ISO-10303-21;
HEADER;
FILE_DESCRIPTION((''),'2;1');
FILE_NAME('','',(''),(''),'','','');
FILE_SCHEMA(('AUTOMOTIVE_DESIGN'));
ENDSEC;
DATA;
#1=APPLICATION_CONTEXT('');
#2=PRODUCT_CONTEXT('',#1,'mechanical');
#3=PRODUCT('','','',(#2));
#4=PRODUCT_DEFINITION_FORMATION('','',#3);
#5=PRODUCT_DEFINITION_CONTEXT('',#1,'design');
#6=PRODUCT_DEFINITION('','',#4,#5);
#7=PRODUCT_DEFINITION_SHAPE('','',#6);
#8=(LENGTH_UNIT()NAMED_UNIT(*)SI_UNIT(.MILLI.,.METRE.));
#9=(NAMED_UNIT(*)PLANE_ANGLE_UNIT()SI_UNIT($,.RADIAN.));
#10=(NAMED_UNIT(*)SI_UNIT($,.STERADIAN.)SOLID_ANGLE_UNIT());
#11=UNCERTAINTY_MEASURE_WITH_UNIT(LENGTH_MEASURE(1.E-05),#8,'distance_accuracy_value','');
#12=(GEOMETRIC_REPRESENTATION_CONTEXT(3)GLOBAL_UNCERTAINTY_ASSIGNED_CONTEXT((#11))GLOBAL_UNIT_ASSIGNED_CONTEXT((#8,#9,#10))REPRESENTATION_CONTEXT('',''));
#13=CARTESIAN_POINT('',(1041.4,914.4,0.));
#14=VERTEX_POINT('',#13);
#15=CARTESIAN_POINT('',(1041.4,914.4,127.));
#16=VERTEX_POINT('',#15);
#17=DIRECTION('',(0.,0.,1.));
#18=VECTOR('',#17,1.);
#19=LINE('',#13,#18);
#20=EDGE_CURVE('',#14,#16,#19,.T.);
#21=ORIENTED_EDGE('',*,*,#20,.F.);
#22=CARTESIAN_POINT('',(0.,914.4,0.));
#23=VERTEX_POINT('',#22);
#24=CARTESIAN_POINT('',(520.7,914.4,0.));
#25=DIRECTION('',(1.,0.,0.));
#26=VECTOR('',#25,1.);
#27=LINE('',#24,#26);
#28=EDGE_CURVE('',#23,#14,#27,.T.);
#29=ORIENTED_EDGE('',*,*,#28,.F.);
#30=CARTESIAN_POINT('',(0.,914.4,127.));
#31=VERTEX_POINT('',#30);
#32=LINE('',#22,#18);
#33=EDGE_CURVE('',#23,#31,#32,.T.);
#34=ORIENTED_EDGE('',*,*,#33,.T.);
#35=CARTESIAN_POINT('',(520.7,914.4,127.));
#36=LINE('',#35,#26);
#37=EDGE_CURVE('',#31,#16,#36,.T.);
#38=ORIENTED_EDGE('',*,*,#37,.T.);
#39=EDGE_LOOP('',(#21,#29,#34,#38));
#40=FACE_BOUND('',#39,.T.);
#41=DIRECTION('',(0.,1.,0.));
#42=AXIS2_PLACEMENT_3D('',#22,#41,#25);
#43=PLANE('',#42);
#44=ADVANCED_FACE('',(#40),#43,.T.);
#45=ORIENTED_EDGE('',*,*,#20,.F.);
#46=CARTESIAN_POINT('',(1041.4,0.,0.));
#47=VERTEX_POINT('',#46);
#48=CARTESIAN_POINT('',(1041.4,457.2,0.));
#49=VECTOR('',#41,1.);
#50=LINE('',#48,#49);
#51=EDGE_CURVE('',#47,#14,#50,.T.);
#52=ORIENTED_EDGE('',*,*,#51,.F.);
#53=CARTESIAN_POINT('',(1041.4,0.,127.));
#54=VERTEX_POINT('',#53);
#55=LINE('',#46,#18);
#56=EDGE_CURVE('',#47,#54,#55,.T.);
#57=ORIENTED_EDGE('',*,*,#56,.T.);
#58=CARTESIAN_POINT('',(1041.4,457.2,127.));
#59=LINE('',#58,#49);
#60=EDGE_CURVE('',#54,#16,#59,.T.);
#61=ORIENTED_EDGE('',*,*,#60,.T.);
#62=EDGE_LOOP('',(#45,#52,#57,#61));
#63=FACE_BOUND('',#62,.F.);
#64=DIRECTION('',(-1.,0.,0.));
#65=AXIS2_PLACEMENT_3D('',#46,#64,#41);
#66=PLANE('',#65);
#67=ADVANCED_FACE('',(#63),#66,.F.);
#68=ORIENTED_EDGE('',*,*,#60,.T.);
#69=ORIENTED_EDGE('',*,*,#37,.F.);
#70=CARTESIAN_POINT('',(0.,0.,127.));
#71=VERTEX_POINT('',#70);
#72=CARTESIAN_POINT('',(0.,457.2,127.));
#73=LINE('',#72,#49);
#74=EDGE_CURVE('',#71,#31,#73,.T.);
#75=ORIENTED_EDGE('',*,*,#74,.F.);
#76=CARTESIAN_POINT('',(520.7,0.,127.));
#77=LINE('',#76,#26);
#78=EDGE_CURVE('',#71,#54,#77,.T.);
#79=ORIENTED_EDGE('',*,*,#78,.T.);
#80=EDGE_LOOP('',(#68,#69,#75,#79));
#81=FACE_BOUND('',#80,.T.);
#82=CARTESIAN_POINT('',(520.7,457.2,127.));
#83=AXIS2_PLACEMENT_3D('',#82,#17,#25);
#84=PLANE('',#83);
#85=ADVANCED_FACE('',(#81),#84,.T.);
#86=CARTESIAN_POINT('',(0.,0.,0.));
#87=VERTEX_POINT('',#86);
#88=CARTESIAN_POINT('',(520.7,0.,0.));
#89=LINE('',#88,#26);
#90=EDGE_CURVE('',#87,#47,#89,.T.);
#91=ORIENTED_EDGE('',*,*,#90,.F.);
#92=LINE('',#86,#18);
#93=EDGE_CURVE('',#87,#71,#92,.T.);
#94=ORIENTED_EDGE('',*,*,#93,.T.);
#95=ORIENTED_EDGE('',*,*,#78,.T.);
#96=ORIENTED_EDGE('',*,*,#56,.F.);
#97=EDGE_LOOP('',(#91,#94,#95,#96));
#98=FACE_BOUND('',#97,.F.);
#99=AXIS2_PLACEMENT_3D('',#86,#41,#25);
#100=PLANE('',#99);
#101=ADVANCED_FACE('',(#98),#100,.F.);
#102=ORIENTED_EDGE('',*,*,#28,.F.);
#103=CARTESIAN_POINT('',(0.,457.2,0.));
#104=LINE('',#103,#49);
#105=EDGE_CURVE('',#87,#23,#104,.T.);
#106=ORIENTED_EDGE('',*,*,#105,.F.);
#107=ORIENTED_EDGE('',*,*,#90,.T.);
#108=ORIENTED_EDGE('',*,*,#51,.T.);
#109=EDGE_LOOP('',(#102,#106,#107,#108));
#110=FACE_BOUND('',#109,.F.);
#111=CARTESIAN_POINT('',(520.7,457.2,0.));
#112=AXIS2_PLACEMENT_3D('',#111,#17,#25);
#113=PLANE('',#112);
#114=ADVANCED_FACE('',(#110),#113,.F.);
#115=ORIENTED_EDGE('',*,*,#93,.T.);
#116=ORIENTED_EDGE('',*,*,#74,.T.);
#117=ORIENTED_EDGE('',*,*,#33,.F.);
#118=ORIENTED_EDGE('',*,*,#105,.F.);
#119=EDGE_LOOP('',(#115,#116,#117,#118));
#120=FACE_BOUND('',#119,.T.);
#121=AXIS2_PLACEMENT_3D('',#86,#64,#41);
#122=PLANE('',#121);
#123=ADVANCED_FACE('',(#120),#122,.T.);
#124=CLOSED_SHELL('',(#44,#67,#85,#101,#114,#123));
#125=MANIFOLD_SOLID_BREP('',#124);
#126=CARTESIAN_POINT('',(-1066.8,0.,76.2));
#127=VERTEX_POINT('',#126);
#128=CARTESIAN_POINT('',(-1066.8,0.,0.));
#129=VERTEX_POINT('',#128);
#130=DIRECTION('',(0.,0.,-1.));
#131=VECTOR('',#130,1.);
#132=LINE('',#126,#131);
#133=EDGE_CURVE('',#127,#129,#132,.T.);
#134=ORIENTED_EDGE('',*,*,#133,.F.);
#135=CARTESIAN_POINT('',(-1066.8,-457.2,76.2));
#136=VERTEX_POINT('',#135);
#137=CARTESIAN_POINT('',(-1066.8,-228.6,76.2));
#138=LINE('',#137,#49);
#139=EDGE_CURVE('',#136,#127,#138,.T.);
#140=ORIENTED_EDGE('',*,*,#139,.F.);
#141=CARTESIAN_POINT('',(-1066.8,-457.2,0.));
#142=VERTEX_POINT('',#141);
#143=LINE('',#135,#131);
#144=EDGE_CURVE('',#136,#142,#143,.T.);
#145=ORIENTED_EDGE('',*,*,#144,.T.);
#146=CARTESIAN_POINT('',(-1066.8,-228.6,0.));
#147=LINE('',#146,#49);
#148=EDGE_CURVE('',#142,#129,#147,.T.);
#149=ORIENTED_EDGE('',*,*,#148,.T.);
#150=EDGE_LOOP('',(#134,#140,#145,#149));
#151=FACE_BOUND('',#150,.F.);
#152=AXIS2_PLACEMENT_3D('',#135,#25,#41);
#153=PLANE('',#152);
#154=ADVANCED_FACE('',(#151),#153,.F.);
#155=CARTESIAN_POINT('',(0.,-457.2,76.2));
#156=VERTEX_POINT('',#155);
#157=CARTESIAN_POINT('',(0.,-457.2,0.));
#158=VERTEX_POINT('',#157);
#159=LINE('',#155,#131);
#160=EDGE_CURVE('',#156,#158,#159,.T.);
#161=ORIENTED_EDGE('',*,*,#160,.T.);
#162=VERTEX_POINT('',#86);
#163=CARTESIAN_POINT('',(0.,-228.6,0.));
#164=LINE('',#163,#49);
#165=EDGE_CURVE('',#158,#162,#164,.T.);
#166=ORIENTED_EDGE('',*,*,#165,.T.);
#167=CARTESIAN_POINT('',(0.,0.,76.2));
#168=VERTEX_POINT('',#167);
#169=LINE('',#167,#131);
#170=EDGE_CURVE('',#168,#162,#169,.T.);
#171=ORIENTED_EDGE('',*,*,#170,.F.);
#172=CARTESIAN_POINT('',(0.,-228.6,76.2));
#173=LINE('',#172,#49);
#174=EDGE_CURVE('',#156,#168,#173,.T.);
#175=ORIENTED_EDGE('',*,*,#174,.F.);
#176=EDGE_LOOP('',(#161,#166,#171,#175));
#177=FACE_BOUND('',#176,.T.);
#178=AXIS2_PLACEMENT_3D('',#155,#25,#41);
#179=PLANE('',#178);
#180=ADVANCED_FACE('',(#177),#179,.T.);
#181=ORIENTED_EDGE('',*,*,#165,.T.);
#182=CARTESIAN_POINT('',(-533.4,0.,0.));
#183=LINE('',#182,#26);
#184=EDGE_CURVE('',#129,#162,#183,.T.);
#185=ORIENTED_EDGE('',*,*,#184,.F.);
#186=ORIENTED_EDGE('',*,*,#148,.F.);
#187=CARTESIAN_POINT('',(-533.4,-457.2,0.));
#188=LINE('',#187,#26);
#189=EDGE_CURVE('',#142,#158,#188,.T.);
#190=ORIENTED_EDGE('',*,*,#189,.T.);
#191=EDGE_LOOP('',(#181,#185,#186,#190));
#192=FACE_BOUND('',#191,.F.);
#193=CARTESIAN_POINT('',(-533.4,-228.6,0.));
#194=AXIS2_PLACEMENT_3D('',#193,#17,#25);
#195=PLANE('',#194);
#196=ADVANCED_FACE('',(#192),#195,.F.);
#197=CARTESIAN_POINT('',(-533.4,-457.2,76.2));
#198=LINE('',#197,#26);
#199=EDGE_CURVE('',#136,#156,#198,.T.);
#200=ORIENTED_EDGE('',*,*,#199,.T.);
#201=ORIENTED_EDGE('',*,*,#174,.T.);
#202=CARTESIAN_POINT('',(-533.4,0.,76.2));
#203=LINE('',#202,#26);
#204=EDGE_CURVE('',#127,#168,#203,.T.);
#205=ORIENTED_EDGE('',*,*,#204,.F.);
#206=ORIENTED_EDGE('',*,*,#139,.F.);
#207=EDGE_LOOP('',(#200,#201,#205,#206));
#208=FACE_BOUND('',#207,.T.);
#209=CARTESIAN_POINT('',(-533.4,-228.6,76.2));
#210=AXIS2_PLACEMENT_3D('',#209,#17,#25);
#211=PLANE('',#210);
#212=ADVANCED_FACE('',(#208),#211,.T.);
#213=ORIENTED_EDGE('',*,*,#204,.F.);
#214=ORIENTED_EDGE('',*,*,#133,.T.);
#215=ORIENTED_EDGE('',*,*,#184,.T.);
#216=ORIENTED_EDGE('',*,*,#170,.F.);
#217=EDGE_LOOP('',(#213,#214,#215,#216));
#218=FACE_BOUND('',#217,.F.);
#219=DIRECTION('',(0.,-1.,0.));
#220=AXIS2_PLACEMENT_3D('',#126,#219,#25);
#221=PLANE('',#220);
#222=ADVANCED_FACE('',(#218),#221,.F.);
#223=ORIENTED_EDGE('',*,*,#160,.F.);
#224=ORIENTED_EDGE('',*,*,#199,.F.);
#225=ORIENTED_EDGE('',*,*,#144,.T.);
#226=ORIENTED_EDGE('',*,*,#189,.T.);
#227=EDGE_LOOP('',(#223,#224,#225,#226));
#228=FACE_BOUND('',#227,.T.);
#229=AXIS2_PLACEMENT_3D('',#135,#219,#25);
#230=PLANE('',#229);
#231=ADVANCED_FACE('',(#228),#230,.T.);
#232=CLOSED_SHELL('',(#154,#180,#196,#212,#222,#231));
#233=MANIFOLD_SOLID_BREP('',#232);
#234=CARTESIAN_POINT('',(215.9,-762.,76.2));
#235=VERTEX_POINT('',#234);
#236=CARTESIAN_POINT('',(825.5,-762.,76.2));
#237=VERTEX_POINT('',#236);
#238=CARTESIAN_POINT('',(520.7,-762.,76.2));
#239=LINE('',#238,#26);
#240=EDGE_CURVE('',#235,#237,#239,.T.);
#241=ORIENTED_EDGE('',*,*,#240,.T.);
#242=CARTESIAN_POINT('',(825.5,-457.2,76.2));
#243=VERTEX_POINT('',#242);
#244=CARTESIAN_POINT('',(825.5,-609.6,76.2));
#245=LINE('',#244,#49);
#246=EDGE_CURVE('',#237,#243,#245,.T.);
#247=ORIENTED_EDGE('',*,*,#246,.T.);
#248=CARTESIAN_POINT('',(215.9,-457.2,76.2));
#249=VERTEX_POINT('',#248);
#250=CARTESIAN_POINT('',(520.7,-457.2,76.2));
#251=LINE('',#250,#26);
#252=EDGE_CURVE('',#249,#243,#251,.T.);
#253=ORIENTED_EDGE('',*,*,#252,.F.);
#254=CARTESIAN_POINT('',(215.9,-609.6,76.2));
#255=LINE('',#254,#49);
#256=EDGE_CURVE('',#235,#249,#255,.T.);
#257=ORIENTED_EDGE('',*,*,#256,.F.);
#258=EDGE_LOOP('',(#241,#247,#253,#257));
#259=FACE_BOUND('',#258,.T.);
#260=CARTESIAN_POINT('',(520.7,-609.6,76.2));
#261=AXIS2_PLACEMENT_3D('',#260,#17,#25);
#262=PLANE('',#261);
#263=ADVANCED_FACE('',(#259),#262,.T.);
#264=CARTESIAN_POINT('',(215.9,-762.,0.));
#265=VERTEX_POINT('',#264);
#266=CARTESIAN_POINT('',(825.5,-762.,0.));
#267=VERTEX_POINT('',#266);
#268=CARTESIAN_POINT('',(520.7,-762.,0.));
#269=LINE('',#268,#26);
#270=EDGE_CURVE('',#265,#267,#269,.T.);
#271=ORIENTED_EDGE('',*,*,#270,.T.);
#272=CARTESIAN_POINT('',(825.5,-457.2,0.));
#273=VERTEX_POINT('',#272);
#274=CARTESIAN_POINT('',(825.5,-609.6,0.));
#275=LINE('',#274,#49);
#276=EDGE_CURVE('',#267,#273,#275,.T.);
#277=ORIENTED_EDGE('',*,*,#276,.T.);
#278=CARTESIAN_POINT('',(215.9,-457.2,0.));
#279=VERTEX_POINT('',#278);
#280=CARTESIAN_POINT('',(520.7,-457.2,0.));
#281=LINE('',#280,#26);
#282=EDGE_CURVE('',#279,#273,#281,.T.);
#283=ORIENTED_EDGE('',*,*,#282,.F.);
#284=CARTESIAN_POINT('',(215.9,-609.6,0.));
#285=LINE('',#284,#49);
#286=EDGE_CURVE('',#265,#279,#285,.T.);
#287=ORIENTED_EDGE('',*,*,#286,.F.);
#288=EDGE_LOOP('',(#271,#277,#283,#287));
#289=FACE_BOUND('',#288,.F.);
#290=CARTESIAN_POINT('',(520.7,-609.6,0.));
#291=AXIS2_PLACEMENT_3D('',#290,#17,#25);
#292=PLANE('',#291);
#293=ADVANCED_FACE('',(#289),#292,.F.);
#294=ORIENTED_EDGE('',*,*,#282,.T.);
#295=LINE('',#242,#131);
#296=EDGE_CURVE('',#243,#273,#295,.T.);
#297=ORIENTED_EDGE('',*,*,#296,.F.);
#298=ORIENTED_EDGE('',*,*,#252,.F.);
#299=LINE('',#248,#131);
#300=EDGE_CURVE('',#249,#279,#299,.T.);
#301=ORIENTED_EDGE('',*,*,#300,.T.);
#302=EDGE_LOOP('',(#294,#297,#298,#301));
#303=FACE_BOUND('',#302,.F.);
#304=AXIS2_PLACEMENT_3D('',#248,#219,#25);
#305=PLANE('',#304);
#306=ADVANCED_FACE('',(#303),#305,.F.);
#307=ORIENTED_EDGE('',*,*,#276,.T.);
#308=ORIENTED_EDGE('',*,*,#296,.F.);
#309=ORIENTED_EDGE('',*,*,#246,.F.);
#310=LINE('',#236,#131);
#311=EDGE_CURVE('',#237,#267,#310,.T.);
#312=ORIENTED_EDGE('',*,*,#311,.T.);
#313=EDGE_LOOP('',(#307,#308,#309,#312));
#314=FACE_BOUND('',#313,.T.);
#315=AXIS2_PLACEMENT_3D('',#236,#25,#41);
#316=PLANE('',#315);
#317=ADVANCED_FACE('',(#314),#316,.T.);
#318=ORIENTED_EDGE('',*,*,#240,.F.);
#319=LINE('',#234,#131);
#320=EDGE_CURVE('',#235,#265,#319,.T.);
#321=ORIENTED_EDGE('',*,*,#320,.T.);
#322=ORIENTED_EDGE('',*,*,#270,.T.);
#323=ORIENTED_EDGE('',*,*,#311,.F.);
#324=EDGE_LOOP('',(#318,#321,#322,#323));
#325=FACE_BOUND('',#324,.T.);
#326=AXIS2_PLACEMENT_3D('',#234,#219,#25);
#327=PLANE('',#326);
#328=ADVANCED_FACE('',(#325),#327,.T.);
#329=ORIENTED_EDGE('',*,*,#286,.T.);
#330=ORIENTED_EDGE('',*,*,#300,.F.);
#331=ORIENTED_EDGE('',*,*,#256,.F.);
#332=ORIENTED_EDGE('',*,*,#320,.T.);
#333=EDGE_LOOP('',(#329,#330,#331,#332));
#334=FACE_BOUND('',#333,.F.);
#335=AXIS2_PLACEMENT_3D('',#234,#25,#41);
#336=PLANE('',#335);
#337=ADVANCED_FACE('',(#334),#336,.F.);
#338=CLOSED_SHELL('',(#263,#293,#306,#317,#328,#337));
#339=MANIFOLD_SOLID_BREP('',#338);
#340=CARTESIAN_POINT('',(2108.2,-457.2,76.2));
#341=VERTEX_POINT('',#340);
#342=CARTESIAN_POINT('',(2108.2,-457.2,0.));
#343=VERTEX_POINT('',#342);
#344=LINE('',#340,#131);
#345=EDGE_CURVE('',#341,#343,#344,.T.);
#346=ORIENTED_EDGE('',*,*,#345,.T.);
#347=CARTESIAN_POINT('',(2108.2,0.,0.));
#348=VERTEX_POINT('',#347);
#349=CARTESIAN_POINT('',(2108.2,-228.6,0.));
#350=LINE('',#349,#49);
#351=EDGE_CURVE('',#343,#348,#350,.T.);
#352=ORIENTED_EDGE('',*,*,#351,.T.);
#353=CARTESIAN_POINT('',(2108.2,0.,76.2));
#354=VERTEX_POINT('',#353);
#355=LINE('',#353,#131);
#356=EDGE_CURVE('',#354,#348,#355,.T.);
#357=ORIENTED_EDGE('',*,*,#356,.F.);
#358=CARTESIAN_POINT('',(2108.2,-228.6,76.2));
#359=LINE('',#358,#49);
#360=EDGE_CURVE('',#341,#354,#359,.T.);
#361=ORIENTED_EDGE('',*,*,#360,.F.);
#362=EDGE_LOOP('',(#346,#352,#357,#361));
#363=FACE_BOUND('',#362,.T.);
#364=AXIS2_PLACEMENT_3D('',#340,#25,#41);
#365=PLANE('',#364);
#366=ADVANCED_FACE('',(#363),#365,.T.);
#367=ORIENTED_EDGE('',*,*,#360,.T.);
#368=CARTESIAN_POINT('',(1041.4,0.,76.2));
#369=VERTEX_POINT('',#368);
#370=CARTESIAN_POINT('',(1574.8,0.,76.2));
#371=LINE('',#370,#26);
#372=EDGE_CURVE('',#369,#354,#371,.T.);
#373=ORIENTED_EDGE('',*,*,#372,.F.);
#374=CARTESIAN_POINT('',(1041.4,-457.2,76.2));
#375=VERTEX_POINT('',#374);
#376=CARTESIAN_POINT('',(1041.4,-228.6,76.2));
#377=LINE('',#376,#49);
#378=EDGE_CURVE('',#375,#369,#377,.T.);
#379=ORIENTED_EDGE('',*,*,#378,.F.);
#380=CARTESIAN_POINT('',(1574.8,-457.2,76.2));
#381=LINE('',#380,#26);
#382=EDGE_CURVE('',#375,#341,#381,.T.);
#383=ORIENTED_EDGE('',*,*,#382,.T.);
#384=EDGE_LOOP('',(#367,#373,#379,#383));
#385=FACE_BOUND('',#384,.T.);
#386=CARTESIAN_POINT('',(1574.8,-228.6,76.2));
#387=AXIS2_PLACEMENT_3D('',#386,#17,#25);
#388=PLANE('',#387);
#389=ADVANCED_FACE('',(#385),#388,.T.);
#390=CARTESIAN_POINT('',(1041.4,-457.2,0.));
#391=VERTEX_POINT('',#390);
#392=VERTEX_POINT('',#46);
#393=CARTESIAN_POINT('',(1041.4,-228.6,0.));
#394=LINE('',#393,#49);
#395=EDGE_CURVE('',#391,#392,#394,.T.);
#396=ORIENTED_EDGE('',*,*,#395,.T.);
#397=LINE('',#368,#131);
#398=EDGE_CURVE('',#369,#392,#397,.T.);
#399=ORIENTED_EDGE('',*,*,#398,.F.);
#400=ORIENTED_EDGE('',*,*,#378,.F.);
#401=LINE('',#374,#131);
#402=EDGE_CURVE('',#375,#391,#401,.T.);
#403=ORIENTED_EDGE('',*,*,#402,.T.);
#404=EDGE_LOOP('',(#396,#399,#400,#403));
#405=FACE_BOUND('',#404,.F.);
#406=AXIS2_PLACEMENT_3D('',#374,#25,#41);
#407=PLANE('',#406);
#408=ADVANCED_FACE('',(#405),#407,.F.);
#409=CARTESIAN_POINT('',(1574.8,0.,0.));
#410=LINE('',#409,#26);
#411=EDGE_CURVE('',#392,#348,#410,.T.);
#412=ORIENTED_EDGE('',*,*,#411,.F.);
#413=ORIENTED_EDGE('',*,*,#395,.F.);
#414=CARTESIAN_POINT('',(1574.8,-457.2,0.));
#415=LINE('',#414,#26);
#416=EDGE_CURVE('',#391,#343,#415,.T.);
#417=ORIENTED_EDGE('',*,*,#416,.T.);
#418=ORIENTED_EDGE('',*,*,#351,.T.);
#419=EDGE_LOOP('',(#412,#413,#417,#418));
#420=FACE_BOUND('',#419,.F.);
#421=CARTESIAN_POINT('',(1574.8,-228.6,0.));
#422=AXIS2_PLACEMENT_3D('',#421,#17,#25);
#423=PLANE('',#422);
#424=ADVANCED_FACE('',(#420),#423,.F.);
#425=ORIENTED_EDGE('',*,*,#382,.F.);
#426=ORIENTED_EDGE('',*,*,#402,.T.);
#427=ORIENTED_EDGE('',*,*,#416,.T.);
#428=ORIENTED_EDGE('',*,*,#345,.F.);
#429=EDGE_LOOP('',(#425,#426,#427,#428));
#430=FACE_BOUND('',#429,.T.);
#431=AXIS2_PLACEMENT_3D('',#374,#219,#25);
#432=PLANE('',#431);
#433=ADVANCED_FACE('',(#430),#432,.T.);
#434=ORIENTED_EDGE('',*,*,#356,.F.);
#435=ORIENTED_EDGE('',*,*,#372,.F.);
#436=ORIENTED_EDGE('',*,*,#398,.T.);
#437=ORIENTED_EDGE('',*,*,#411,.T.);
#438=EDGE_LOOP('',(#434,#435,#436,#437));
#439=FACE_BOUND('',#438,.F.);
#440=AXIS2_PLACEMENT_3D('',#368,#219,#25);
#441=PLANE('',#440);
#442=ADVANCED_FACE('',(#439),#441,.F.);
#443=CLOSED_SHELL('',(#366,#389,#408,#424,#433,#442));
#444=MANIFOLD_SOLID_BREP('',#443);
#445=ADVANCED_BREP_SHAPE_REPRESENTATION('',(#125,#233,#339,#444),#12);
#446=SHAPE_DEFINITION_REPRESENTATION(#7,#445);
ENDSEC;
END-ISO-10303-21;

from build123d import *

# Parameters (mm, degrees)
F0_W     = 1041.4
F0_H     = 914.4
F1_DEPTH = 127
F3_START = -50.8
F2_W     = 1066.8
F2_H     = 457.2
F3_DEPTH = 76.2
F5_START = -50.8
F4_W     = 609.6
F4_H     = 304.8
F5_DEPTH = 76.2


with BuildPart() as f1:
    # F0 (on Top) → F1 (new body)
    with BuildSketch(Plane.XY):
        with Locations((520.7, 457.2)):
            Rectangle(F0_W, F0_H)
    extrude(amount=F1_DEPTH)


with BuildPart() as f3:
    # F2 (on face) → F3 (new body)
    with BuildSketch(Plane.XY.offset(127).offset(F3_START)):
        with Locations((-533.4, -228.6)):
            Rectangle(F2_W, F2_H)
    extrude(amount=-F3_DEPTH)


with BuildPart() as f3b:
    # F2 (on face) → F3, piece 2 (new body)
    with BuildSketch(Plane.XY.offset(127).offset(F3_START)):
        with Locations((1574.8, -228.6)):
            Rectangle(F2_W, F2_H)
    extrude(amount=-F3_DEPTH)


with BuildPart() as f5:
    # F4 (on face) → F5 (new body)
    with BuildSketch(Plane.XY.offset(127).offset(F5_START)):
        with Locations((520.7, -609.6)):
            Rectangle(F4_W, F4_H)
    extrude(amount=-F5_DEPTH)


solid = Compound([f1.part, f3.part, f3b.part, f5.part])
